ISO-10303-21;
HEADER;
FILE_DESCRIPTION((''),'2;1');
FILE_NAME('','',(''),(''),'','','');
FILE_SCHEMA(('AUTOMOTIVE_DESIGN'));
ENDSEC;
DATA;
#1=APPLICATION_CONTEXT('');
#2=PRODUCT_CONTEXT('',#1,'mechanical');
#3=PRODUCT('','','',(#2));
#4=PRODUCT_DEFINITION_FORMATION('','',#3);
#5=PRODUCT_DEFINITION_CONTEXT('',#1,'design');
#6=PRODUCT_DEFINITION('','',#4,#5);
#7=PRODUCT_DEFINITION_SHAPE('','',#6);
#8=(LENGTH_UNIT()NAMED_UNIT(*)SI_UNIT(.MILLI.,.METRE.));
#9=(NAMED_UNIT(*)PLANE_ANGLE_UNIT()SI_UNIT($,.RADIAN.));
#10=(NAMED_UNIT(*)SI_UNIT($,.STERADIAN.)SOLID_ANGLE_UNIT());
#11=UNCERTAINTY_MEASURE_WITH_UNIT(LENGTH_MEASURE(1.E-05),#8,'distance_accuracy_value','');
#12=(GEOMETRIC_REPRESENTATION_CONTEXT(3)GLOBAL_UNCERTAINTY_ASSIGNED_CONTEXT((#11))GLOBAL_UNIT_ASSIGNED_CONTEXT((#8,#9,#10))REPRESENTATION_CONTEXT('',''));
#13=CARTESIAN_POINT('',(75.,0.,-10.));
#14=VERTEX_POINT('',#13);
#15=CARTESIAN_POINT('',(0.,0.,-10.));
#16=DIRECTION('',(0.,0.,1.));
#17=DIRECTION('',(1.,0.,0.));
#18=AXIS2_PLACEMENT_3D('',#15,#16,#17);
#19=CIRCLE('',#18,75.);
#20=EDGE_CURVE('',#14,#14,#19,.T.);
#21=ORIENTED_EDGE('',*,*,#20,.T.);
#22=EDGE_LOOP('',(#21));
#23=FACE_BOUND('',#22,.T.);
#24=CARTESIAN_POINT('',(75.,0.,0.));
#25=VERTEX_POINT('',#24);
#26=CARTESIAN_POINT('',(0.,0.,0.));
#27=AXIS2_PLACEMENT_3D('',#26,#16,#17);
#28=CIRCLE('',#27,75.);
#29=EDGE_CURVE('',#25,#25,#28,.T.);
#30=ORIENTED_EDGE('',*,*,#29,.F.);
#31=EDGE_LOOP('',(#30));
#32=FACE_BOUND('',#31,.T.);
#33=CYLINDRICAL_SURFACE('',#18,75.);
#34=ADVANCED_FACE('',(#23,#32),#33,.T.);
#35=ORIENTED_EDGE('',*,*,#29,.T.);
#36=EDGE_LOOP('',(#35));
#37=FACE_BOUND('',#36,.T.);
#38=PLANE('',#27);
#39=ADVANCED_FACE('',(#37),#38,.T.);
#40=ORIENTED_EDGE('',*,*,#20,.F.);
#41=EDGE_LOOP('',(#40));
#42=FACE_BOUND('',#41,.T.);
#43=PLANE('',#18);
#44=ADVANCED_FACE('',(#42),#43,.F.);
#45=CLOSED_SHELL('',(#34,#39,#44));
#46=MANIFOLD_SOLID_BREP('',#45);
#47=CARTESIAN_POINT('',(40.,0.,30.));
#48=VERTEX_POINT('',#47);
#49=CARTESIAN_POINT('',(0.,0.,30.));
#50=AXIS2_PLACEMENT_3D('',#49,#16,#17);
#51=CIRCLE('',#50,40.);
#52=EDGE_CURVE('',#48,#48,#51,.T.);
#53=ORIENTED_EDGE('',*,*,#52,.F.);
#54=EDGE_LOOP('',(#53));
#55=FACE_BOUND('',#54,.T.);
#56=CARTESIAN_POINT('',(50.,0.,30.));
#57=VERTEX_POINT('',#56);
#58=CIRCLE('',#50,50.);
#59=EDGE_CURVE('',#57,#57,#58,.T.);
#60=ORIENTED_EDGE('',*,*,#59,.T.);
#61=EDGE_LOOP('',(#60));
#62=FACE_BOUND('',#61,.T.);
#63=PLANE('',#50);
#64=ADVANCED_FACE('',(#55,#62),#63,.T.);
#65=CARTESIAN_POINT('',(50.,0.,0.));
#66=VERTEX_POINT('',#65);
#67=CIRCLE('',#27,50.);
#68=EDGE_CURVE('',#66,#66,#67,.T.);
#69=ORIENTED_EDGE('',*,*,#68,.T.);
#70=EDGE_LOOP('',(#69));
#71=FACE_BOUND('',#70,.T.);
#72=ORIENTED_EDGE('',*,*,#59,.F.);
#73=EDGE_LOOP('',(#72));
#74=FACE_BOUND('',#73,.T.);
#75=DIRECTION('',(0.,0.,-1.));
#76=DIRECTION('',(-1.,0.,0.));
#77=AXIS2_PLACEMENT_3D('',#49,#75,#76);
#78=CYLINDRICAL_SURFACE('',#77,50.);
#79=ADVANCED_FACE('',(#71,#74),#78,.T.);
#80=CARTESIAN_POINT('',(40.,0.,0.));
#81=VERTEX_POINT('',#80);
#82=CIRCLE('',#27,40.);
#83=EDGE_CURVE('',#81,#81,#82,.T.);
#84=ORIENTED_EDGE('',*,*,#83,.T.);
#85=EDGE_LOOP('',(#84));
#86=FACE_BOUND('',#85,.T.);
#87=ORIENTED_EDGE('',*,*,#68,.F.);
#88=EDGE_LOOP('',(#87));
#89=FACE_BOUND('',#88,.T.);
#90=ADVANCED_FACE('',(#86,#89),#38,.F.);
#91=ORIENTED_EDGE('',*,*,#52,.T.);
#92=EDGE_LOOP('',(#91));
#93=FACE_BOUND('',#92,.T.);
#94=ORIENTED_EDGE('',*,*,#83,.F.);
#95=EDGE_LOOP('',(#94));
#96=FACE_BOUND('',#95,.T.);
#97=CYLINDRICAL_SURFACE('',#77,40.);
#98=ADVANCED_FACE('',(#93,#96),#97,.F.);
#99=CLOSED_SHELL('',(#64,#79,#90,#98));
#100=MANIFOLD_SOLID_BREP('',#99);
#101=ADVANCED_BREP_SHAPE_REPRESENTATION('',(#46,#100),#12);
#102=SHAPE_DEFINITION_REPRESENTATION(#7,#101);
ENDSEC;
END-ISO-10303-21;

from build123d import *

# Parameters (mm, degrees)
SKETCH2_R           = 50
SKETCH2_R_2         = 40
BOSS_EXTRUDE1_DEPTH = 30
SKETCH3_R           = 75
BOSS_EXTRUDE2_DEPTH = 10


with BuildPart() as part:
    # Sketch2 → Boss-Extrude1 (new body)
    with BuildSketch(Plane.XY):
        Circle(SKETCH2_R)
        Circle(SKETCH2_R_2, mode=Mode.SUBTRACT)
    extrude(amount=BOSS_EXTRUDE1_DEPTH)


with BuildPart() as body_2:
    # Sketch3 → Boss-Extrude2 (new body)
    with BuildSketch(Plane.XY):
        Circle(SKETCH3_R)
    extrude(amount=-BOSS_EXTRUDE2_DEPTH)


solid = Compound([part.part, body_2.part])
